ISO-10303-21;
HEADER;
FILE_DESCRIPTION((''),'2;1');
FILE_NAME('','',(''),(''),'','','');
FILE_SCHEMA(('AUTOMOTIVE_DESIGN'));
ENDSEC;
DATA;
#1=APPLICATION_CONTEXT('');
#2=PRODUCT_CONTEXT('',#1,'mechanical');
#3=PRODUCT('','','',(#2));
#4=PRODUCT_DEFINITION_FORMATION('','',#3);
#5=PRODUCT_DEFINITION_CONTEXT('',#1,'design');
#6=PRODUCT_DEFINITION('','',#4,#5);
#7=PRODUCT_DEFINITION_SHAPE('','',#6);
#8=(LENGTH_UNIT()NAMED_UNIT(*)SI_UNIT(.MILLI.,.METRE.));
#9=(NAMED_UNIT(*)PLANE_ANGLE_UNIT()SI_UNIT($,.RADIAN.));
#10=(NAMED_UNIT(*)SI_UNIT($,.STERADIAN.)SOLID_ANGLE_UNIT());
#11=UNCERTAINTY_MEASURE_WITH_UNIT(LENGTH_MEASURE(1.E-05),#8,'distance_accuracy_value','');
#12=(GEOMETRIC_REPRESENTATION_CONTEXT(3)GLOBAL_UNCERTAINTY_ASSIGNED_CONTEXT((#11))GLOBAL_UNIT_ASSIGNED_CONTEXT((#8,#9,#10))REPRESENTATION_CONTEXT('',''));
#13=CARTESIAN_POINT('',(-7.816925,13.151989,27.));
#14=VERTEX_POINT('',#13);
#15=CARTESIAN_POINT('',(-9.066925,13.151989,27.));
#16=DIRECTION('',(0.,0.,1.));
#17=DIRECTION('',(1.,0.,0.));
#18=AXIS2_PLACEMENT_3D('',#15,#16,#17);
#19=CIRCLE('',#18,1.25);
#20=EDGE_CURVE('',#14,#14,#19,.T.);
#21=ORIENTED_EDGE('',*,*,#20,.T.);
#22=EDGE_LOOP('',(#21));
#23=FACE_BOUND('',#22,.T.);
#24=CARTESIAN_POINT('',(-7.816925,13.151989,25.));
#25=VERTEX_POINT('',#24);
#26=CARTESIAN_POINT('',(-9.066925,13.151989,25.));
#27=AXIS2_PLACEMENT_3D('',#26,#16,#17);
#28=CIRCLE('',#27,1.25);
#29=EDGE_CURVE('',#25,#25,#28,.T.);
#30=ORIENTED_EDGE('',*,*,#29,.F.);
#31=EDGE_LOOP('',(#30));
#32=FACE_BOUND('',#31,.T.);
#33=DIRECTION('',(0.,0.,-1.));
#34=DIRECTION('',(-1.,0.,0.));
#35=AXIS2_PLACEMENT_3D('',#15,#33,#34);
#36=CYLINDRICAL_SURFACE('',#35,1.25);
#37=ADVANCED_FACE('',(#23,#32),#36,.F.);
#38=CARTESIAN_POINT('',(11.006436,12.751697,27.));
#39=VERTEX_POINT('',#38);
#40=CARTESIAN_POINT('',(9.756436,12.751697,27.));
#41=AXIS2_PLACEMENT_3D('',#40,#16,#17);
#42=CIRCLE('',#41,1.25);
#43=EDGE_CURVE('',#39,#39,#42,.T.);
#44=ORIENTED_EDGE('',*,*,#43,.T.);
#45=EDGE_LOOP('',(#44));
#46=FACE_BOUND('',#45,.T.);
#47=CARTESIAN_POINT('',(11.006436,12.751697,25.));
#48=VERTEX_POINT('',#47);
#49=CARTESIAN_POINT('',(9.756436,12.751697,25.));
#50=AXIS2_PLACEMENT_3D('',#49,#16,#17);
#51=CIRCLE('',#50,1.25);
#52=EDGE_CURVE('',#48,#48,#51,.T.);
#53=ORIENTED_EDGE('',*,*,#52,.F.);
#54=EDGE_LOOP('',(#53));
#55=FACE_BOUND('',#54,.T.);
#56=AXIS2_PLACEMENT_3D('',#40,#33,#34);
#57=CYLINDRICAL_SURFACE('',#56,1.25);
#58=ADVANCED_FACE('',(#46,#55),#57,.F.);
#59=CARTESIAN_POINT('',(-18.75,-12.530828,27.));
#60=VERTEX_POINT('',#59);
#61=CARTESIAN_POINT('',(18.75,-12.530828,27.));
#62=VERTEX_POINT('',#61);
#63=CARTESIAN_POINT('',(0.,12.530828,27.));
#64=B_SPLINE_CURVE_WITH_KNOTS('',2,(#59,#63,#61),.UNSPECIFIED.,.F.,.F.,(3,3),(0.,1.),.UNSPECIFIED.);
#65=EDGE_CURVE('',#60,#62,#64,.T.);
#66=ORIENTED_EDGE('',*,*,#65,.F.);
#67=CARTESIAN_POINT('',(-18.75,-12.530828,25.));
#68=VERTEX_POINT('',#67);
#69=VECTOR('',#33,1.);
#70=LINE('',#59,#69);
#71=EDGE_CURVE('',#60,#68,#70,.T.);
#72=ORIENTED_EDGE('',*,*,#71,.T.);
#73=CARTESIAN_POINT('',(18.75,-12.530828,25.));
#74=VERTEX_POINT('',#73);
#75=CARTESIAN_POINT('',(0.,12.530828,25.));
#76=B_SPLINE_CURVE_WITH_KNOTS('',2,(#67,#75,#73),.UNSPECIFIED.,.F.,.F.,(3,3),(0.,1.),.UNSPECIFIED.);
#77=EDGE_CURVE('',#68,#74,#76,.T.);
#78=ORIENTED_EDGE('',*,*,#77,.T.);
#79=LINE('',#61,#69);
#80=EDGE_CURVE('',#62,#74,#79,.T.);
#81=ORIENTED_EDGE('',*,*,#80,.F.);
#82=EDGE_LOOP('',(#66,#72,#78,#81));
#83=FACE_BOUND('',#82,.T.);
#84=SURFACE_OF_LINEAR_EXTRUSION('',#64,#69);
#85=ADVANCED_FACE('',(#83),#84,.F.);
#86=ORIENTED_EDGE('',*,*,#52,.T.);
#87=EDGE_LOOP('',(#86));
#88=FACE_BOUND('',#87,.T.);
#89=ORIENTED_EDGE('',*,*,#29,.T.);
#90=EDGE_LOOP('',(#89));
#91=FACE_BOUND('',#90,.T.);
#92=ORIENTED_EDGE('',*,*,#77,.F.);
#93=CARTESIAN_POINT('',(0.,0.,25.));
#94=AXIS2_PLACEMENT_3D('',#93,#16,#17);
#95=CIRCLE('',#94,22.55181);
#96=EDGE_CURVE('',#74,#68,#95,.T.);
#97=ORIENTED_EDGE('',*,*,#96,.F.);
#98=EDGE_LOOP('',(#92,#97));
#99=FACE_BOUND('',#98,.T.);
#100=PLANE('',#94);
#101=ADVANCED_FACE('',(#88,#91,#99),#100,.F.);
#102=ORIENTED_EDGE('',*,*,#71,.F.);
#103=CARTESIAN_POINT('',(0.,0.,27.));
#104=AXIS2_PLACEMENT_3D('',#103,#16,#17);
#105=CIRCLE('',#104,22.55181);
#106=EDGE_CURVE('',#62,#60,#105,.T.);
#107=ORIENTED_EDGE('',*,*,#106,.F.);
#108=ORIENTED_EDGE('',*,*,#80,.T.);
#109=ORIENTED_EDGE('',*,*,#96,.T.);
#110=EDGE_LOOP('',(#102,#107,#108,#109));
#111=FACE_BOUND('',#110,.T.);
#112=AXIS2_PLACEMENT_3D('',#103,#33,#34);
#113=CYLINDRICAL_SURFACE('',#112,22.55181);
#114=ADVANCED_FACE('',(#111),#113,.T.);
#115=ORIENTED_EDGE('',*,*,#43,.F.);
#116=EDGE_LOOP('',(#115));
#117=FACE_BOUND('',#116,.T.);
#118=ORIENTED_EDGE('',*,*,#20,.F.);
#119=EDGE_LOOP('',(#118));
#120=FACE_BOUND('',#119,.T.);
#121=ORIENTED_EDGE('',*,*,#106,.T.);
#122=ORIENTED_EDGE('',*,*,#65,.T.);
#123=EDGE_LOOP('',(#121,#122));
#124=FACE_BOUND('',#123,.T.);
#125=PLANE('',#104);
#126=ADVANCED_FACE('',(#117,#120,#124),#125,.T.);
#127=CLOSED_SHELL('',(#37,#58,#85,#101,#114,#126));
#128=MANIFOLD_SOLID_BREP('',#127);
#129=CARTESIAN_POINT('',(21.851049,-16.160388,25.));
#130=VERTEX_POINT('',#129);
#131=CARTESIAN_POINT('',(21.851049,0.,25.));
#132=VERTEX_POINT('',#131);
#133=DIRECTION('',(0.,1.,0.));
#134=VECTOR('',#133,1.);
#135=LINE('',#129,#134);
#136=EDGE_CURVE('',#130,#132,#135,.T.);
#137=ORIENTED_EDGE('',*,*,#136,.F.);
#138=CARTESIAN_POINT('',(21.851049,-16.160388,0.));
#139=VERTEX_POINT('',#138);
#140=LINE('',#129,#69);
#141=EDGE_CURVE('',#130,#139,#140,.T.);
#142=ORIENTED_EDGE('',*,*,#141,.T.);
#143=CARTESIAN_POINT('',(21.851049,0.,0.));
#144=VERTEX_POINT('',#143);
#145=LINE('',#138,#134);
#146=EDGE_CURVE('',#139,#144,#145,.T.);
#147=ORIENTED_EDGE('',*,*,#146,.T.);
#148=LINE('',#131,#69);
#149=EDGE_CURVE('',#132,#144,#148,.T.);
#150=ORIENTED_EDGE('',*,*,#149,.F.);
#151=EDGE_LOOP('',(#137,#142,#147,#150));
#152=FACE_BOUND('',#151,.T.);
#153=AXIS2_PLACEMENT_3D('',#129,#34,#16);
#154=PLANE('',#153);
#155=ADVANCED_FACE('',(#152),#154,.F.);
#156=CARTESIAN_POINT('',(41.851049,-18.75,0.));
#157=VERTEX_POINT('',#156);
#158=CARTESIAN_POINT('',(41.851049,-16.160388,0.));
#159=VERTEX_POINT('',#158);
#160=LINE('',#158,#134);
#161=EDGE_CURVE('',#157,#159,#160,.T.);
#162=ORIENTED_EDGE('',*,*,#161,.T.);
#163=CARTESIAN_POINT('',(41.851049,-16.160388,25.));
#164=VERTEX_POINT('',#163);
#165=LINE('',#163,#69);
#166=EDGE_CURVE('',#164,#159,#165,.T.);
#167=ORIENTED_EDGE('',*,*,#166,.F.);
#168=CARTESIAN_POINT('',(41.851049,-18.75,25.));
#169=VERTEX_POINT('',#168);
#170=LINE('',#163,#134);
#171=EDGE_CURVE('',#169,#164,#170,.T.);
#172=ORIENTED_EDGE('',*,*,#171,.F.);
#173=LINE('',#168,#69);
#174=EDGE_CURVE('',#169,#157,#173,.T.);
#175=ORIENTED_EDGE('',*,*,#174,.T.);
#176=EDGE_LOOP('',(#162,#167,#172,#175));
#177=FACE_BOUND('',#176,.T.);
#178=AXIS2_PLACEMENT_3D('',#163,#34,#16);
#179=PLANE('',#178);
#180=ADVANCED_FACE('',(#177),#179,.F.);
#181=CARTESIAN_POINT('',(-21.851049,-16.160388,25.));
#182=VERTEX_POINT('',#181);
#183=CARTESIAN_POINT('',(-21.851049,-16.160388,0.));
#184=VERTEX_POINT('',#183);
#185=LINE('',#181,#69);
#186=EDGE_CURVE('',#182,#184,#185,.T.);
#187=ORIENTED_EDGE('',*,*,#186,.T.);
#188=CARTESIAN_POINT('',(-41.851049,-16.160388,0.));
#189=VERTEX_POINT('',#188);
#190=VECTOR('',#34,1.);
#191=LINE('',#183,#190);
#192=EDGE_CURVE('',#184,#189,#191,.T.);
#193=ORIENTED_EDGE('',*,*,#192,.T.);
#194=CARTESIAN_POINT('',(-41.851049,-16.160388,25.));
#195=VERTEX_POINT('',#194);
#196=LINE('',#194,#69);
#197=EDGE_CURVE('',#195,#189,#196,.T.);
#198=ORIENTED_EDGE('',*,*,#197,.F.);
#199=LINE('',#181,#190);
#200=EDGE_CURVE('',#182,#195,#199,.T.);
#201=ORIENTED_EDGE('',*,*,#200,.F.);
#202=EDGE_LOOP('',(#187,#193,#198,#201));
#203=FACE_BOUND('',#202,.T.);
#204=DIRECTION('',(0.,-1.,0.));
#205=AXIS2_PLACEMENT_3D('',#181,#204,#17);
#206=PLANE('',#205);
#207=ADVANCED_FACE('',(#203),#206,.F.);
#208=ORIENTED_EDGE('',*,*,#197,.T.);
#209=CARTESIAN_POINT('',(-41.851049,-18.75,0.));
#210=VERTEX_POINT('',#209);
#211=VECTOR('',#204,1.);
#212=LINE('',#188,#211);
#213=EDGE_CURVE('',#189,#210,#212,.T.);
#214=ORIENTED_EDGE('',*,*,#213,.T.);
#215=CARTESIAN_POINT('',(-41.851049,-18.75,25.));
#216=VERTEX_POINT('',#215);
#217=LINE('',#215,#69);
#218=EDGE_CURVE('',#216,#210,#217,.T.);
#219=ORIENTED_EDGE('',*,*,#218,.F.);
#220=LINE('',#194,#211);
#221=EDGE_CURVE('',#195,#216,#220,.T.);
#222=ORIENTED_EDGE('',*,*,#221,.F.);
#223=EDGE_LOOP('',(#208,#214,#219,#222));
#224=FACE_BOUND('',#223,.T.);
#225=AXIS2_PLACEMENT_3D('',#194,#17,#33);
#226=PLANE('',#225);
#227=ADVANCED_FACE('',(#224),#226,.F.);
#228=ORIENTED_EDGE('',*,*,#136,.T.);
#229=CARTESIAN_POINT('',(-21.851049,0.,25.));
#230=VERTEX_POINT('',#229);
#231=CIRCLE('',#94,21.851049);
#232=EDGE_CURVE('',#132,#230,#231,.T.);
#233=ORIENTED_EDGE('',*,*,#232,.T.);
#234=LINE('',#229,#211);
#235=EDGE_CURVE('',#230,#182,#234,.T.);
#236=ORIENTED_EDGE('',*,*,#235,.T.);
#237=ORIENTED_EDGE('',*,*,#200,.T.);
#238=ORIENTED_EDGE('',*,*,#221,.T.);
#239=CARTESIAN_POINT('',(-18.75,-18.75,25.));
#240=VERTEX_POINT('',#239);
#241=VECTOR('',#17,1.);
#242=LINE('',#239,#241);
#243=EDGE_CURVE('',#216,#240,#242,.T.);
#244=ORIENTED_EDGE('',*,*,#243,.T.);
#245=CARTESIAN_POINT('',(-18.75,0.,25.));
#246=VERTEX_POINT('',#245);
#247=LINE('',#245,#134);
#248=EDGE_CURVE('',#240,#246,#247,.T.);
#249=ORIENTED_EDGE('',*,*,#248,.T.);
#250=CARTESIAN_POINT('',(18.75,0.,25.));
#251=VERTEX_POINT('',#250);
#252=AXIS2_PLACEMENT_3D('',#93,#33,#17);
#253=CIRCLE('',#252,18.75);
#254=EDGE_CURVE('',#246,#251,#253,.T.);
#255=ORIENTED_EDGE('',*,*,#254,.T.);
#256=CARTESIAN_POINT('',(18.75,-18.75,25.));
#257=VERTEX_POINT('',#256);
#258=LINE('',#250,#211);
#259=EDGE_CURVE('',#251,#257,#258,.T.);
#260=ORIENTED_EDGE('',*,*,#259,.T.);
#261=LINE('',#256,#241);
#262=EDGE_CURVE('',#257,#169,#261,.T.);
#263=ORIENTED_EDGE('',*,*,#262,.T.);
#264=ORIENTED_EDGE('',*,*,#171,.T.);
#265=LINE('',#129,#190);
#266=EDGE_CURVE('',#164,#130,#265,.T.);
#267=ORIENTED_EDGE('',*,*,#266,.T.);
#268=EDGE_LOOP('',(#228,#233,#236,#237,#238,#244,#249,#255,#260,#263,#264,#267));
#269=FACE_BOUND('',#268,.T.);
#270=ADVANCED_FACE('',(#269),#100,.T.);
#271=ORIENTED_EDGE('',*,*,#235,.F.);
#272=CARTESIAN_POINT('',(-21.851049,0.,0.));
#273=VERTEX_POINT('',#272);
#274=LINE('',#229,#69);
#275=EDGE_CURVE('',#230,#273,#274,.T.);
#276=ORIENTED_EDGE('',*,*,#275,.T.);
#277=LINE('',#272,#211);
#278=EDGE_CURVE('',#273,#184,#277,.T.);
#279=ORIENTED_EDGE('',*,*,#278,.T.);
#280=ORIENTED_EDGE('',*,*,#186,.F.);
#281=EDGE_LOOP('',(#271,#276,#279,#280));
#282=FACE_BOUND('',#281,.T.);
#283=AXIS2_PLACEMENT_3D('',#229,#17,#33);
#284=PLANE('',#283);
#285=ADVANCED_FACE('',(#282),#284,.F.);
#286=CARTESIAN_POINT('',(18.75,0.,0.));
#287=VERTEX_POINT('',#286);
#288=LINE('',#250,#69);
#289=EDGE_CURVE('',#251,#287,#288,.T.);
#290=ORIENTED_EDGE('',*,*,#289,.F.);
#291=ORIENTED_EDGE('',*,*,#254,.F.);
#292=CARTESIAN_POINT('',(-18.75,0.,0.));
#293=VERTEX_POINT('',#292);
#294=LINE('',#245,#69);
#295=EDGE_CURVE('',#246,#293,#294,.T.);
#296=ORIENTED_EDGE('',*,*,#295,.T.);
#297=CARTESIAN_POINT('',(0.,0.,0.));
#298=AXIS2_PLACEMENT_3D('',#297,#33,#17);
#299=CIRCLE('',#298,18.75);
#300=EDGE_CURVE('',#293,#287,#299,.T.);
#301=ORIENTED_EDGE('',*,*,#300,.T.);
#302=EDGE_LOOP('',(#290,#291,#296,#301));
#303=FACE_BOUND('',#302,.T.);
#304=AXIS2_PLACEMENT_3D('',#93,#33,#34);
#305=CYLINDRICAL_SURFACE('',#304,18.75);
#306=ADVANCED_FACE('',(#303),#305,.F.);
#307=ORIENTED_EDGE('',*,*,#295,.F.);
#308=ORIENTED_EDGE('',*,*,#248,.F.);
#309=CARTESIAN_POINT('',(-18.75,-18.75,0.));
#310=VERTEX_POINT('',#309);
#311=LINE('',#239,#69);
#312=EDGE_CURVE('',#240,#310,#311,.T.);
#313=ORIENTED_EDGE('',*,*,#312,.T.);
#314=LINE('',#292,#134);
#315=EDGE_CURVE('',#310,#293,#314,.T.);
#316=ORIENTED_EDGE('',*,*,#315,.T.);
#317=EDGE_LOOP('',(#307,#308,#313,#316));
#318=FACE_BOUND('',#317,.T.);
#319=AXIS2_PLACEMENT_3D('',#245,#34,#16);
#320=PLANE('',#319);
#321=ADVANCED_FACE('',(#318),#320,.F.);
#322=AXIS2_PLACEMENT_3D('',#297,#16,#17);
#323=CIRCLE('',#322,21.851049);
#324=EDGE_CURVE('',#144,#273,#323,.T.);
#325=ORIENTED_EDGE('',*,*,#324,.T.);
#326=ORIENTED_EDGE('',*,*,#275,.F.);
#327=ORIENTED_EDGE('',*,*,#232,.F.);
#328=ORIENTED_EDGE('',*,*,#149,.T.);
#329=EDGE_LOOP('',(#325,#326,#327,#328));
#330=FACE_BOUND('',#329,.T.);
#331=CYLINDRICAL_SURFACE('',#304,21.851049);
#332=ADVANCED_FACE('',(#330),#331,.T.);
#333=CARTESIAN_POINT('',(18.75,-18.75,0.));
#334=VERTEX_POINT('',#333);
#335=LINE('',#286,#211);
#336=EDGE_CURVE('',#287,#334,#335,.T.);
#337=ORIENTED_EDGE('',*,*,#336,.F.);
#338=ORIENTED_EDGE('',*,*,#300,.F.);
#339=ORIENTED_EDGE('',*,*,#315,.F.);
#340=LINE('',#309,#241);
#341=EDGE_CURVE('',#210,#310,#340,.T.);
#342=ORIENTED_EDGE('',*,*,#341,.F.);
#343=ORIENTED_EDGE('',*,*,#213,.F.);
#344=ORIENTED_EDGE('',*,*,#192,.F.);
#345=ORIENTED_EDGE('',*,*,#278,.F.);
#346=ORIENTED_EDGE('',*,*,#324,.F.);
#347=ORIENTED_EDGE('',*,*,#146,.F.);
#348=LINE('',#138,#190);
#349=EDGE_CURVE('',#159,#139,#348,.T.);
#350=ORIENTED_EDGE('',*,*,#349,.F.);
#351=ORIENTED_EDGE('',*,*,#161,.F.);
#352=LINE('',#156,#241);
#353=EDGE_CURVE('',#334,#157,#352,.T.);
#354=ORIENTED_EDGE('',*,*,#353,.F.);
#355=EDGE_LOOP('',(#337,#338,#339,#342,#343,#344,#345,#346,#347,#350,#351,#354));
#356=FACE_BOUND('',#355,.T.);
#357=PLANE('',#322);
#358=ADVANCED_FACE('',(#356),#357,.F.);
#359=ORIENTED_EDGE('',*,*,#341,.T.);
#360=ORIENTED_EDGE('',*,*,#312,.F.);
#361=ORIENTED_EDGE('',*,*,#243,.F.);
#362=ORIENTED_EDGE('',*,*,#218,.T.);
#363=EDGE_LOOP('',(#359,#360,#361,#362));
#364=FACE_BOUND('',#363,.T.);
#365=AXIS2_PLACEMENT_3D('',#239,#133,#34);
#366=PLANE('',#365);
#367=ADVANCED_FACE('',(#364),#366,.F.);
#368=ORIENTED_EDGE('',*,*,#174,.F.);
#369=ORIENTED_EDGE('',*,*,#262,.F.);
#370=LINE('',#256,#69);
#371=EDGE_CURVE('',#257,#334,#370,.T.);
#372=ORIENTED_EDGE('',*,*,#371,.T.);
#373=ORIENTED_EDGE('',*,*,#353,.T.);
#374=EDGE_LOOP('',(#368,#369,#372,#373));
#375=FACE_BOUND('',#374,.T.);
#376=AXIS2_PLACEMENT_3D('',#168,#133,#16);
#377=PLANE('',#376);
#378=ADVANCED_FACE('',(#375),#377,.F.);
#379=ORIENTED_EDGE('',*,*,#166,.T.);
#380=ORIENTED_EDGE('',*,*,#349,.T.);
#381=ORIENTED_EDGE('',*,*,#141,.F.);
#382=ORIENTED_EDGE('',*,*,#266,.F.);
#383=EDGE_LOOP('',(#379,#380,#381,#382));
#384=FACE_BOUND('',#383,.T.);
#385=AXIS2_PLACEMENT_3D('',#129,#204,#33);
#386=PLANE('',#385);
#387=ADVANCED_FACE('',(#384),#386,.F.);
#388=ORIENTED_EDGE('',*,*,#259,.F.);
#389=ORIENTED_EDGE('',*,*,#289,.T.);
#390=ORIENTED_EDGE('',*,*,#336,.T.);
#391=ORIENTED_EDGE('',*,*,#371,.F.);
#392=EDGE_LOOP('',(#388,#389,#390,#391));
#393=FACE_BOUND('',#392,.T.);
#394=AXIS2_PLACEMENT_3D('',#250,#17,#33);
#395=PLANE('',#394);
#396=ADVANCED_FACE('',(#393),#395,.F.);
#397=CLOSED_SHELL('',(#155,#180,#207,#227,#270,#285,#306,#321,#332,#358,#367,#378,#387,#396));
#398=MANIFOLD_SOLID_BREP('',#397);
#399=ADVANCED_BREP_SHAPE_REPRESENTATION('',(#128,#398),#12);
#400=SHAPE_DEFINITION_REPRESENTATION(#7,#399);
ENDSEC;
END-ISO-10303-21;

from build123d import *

# Parameters (mm, degrees)
BOSS_EXTRUDE1_DEPTH = 25
SKETCH2_R           = 1.25
BOSS_EXTRUDE2_DEPTH = 2


with BuildPart() as part:
    # Sketch1 → Boss-Extrude1 (new body)
    with BuildSketch(Plane.XY):
        with BuildLine():
            Line((18.75, 0), (18.75, -18.75))
            Line((18.75, -18.75), (36.000411031, -18.75))
            Line((36.000411031, -18.75), (41.851049495, -18.75))
            Line((41.851049495, -18.75), (41.851049495, -16.160388188))
            Line((41.851049495, -16.160388188), (21.851049495, -16.160388188))
            Line((21.851049495, -16.160388188), (21.851049495, 0))
            ThreePointArc((21.851049495, 0), (0, 21.851049495), (-21.851049495, 0))
            Line((-21.851049495, 0), (-21.851049495, -16.160388188))
            Line((-21.851049495, -16.160388188), (-41.851049495, -16.160388188))
            Line((-41.851049495, -16.160388188), (-41.851049495, -18.75))
            Line((-41.851049495, -18.75), (-18.75, -18.75))
            Line((-18.75, -18.75), (-18.75, 0))
            ThreePointArc((-18.75, 0), (0, 18.75), (18.75, 0))
        make_face()
    extrude(amount=BOSS_EXTRUDE1_DEPTH)


with BuildPart() as body_2:
    # Sketch2 → Boss-Extrude2 (new body)
    with BuildSketch(Plane.XY.offset(25)):
        with BuildLine():
            ThreePointArc((18.75, -12.530827957), (0, 22.551810333), (-18.75, -12.530827957))
            add(Edge.make_bspline(
                [(-18.75, -12.530827957), (0, 12.530827957), (18.75, -12.530827957)],
                knots=[0, 0, 0, 1, 1, 1], degree=2))
        make_face()
        with Locations((9.756436044, 12.751697465)):
            Circle(SKETCH2_R, mode=Mode.SUBTRACT)
        with Locations((-9.066924839, 13.151988727)):
            Circle(SKETCH2_R, mode=Mode.SUBTRACT)
    extrude(amount=BOSS_EXTRUDE2_DEPTH)


solid = Compound([part.part, body_2.part])
